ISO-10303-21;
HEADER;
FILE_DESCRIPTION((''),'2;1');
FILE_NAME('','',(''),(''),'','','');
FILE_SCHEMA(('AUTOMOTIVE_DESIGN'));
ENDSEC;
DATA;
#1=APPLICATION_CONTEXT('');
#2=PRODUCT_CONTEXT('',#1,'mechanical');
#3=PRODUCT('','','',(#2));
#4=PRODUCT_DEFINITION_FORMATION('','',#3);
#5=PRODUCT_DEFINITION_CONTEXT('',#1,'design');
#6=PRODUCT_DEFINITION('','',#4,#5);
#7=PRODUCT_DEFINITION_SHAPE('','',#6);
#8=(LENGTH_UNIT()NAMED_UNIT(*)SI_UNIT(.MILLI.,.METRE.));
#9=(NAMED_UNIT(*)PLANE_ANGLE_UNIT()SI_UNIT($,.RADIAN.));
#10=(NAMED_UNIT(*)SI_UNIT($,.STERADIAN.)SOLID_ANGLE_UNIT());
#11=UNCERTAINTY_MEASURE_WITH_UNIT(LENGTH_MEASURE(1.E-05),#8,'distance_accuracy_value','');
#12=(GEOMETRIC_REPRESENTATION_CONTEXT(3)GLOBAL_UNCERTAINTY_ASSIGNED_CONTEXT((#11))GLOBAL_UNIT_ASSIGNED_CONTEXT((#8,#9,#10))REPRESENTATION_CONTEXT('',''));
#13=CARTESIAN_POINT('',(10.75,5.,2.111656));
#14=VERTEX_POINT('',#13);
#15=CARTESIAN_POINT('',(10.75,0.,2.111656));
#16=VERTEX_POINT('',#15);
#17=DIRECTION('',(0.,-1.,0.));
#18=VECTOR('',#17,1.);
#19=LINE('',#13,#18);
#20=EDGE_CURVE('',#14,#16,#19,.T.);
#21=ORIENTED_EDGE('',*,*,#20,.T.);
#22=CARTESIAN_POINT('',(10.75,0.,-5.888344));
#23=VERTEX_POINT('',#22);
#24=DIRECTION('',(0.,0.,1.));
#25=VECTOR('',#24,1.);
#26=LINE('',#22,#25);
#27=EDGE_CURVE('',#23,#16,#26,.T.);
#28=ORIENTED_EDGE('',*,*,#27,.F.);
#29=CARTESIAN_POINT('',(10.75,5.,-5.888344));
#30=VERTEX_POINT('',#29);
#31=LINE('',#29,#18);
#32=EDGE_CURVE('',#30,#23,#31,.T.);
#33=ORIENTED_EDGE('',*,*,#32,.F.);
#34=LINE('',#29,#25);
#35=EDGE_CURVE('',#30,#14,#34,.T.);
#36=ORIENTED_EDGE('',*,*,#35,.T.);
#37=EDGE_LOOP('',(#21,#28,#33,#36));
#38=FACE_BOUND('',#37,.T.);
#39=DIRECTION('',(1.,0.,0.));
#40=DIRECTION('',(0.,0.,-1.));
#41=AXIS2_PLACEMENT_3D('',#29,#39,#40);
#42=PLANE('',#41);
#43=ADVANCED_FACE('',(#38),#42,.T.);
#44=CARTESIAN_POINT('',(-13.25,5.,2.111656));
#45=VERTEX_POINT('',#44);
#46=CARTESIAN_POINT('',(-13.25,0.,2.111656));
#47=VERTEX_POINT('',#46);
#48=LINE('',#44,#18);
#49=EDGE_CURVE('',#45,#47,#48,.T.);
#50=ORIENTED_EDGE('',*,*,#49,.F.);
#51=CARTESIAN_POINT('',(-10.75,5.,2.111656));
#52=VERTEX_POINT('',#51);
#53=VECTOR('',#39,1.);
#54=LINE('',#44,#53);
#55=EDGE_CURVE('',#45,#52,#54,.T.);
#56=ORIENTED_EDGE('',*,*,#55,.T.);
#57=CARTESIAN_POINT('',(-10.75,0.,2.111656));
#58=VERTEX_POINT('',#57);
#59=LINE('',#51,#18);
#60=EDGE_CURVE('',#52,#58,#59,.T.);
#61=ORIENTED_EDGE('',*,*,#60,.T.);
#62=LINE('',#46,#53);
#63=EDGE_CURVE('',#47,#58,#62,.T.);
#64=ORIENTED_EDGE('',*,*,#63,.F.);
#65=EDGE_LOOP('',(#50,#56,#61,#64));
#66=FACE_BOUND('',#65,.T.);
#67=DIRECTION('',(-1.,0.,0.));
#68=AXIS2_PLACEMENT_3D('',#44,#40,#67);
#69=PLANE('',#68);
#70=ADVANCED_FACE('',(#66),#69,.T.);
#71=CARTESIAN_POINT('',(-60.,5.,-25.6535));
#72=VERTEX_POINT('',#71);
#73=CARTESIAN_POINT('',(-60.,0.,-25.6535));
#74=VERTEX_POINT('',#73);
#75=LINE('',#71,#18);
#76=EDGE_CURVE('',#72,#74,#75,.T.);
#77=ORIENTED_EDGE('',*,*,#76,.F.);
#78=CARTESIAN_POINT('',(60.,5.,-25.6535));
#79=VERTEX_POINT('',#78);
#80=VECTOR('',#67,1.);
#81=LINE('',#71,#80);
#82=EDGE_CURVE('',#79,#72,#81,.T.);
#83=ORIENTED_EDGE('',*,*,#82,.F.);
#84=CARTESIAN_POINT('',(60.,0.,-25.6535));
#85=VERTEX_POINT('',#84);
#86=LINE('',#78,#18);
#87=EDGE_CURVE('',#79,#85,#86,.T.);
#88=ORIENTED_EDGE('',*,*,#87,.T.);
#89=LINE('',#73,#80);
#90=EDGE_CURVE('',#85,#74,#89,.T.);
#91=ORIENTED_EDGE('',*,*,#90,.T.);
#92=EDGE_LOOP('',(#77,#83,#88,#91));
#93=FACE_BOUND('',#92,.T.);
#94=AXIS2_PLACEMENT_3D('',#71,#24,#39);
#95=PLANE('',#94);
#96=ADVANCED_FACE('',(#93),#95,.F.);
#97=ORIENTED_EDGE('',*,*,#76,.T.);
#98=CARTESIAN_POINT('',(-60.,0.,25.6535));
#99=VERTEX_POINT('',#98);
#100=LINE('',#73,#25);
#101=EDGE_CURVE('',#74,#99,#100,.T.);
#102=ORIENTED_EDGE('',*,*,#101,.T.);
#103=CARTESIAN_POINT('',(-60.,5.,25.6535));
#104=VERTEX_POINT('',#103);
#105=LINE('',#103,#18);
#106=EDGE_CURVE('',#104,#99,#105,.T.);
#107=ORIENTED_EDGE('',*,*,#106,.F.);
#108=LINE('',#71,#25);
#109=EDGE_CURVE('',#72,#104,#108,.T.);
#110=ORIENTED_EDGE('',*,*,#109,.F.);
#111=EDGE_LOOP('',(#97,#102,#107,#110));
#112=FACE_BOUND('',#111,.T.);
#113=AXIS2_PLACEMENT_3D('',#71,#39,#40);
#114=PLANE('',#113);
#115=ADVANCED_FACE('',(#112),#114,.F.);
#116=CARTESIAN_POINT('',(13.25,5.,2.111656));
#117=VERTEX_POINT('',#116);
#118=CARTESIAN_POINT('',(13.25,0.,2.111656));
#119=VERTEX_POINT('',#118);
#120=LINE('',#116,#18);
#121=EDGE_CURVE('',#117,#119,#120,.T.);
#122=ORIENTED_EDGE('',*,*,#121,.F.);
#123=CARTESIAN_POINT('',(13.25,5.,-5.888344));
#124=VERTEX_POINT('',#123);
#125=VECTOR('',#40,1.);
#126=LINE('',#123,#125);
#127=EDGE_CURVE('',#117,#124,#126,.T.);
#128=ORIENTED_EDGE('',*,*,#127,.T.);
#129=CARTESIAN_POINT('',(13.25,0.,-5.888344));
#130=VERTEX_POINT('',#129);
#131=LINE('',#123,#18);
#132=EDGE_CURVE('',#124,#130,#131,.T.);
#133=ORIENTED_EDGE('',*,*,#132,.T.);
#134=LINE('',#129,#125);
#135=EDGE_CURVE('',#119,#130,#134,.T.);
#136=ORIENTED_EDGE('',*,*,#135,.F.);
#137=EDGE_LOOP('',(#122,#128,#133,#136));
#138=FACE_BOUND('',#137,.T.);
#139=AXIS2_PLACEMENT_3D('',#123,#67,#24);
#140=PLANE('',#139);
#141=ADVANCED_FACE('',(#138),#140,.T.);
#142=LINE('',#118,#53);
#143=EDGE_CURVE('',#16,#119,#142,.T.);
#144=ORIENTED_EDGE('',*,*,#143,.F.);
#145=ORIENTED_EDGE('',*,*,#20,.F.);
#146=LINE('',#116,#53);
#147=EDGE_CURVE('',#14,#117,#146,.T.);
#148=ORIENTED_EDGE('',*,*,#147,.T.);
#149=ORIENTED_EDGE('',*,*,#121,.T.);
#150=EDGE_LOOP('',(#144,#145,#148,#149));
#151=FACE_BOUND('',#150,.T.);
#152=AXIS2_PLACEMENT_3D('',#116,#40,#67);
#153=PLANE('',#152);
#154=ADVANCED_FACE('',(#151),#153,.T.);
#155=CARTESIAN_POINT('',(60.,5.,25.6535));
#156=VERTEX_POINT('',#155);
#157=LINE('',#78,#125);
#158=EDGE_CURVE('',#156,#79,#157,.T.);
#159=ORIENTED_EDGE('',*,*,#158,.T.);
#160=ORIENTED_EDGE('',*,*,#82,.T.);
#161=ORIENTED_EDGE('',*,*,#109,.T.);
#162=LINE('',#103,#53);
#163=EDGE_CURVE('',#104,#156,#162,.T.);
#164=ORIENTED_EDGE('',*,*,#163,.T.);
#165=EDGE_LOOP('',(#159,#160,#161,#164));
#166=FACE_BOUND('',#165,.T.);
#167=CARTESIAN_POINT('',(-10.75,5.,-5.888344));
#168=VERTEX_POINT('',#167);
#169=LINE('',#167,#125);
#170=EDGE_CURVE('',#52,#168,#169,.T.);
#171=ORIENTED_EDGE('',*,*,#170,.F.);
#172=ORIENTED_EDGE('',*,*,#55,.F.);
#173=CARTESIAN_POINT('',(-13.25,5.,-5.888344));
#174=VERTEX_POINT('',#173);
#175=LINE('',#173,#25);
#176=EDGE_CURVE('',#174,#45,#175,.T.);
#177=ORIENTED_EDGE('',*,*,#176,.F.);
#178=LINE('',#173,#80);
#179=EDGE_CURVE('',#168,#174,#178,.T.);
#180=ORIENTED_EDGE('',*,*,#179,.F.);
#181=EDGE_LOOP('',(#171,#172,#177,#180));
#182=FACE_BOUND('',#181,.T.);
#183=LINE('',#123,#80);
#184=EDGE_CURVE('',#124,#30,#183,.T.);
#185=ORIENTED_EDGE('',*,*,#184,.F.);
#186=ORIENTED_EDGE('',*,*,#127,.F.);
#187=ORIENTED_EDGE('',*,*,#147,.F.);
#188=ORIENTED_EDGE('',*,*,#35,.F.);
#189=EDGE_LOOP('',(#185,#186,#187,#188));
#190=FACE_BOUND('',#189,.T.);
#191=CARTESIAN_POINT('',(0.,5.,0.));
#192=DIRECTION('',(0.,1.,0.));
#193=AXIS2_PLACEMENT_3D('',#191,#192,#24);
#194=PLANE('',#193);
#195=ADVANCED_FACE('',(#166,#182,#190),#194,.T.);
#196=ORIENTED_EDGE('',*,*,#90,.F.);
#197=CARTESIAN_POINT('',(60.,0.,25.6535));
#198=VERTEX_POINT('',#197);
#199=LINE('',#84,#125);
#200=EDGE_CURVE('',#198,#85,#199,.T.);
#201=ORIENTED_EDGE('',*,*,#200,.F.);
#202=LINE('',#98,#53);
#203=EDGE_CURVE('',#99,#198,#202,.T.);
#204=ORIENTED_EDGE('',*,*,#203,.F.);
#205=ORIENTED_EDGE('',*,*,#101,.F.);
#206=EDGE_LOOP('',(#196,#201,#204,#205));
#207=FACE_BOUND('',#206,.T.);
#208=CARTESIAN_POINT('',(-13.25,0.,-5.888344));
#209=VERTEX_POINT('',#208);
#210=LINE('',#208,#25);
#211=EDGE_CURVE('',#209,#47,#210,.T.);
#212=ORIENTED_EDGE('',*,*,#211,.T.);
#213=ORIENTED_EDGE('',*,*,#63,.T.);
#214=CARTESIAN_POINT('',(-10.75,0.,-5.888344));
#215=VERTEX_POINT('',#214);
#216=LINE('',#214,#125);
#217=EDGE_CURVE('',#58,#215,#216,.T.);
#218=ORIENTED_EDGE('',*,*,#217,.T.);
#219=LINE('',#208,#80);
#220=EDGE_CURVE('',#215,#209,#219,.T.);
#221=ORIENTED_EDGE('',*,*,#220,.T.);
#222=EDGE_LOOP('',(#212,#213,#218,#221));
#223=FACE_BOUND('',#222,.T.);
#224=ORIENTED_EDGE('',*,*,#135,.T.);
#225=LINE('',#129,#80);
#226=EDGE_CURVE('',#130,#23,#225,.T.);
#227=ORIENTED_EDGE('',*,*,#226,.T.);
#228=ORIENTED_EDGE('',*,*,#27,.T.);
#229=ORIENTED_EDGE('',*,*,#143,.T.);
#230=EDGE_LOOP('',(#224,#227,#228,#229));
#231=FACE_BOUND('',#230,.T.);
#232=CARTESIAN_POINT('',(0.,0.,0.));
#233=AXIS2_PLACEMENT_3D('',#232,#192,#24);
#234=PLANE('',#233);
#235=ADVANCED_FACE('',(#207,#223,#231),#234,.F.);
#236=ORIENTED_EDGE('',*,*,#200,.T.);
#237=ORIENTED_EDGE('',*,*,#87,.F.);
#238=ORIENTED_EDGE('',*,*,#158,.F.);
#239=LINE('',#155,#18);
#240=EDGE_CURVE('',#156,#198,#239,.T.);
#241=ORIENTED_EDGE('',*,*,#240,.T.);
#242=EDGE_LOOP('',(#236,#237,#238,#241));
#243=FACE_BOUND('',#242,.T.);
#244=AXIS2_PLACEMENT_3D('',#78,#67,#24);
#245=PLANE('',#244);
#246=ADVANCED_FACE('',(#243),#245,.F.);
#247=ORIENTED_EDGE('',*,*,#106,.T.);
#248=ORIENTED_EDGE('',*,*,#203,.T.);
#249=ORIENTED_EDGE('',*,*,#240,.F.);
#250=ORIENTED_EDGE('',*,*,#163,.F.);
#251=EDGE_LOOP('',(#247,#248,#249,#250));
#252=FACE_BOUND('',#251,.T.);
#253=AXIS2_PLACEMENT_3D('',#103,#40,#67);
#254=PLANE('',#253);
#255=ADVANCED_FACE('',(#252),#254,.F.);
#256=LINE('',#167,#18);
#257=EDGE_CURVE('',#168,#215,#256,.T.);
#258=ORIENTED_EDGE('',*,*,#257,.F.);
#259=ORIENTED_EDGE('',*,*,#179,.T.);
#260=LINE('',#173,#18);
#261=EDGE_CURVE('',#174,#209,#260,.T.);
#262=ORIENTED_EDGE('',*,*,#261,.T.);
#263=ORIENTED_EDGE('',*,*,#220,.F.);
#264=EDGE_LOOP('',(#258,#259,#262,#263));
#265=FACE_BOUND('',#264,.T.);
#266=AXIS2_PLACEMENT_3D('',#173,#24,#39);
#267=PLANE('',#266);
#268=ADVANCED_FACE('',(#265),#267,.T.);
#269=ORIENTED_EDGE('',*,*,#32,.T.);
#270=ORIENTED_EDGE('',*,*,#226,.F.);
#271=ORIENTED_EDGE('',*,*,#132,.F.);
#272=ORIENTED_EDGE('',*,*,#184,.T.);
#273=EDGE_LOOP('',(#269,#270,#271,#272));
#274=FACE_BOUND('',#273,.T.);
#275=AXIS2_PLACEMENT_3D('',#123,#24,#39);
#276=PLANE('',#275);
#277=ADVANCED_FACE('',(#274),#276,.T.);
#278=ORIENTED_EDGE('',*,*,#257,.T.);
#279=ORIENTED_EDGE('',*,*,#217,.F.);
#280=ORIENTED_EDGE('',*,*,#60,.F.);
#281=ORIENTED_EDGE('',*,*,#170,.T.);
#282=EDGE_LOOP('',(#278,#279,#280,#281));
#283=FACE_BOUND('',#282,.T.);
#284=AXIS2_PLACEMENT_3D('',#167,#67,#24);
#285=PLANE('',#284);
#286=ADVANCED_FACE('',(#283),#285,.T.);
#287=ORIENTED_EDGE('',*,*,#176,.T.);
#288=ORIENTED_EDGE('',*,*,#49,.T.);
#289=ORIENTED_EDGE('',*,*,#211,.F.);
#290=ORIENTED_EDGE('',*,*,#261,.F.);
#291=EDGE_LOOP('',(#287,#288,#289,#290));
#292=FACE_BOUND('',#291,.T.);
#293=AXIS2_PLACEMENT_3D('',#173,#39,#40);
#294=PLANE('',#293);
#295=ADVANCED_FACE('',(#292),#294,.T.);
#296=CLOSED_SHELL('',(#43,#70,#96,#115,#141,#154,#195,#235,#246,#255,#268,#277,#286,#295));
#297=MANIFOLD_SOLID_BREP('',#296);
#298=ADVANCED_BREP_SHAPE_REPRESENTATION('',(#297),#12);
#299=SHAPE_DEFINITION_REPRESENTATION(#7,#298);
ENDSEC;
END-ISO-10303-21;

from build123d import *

# Parameters (mm, degrees)
SKETCH1_W           = 120
SKETCH1_H           = 51.307
SKETCH1_W_2         = 2.5
SKETCH1_H_2         = 8
BOSS_EXTRUDE1_DEPTH = 5


with BuildPart() as part:
    # Sketch1 → Boss-Extrude1 (new body)
    with BuildSketch(Plane(origin=(0, 0, 0), x_dir=(1, 0, 0), z_dir=(0, 1, 0))):
        Rectangle(SKETCH1_W, SKETCH1_H)
        with Locations((-12, 1.888343811)):
            Rectangle(SKETCH1_W_2, SKETCH1_H_2, mode=Mode.SUBTRACT)
        with Locations((12, 1.888343811)):
            Rectangle(SKETCH1_W_2, SKETCH1_H_2, mode=Mode.SUBTRACT)
    extrude(amount=BOSS_EXTRUDE1_DEPTH)


solid = part.part
